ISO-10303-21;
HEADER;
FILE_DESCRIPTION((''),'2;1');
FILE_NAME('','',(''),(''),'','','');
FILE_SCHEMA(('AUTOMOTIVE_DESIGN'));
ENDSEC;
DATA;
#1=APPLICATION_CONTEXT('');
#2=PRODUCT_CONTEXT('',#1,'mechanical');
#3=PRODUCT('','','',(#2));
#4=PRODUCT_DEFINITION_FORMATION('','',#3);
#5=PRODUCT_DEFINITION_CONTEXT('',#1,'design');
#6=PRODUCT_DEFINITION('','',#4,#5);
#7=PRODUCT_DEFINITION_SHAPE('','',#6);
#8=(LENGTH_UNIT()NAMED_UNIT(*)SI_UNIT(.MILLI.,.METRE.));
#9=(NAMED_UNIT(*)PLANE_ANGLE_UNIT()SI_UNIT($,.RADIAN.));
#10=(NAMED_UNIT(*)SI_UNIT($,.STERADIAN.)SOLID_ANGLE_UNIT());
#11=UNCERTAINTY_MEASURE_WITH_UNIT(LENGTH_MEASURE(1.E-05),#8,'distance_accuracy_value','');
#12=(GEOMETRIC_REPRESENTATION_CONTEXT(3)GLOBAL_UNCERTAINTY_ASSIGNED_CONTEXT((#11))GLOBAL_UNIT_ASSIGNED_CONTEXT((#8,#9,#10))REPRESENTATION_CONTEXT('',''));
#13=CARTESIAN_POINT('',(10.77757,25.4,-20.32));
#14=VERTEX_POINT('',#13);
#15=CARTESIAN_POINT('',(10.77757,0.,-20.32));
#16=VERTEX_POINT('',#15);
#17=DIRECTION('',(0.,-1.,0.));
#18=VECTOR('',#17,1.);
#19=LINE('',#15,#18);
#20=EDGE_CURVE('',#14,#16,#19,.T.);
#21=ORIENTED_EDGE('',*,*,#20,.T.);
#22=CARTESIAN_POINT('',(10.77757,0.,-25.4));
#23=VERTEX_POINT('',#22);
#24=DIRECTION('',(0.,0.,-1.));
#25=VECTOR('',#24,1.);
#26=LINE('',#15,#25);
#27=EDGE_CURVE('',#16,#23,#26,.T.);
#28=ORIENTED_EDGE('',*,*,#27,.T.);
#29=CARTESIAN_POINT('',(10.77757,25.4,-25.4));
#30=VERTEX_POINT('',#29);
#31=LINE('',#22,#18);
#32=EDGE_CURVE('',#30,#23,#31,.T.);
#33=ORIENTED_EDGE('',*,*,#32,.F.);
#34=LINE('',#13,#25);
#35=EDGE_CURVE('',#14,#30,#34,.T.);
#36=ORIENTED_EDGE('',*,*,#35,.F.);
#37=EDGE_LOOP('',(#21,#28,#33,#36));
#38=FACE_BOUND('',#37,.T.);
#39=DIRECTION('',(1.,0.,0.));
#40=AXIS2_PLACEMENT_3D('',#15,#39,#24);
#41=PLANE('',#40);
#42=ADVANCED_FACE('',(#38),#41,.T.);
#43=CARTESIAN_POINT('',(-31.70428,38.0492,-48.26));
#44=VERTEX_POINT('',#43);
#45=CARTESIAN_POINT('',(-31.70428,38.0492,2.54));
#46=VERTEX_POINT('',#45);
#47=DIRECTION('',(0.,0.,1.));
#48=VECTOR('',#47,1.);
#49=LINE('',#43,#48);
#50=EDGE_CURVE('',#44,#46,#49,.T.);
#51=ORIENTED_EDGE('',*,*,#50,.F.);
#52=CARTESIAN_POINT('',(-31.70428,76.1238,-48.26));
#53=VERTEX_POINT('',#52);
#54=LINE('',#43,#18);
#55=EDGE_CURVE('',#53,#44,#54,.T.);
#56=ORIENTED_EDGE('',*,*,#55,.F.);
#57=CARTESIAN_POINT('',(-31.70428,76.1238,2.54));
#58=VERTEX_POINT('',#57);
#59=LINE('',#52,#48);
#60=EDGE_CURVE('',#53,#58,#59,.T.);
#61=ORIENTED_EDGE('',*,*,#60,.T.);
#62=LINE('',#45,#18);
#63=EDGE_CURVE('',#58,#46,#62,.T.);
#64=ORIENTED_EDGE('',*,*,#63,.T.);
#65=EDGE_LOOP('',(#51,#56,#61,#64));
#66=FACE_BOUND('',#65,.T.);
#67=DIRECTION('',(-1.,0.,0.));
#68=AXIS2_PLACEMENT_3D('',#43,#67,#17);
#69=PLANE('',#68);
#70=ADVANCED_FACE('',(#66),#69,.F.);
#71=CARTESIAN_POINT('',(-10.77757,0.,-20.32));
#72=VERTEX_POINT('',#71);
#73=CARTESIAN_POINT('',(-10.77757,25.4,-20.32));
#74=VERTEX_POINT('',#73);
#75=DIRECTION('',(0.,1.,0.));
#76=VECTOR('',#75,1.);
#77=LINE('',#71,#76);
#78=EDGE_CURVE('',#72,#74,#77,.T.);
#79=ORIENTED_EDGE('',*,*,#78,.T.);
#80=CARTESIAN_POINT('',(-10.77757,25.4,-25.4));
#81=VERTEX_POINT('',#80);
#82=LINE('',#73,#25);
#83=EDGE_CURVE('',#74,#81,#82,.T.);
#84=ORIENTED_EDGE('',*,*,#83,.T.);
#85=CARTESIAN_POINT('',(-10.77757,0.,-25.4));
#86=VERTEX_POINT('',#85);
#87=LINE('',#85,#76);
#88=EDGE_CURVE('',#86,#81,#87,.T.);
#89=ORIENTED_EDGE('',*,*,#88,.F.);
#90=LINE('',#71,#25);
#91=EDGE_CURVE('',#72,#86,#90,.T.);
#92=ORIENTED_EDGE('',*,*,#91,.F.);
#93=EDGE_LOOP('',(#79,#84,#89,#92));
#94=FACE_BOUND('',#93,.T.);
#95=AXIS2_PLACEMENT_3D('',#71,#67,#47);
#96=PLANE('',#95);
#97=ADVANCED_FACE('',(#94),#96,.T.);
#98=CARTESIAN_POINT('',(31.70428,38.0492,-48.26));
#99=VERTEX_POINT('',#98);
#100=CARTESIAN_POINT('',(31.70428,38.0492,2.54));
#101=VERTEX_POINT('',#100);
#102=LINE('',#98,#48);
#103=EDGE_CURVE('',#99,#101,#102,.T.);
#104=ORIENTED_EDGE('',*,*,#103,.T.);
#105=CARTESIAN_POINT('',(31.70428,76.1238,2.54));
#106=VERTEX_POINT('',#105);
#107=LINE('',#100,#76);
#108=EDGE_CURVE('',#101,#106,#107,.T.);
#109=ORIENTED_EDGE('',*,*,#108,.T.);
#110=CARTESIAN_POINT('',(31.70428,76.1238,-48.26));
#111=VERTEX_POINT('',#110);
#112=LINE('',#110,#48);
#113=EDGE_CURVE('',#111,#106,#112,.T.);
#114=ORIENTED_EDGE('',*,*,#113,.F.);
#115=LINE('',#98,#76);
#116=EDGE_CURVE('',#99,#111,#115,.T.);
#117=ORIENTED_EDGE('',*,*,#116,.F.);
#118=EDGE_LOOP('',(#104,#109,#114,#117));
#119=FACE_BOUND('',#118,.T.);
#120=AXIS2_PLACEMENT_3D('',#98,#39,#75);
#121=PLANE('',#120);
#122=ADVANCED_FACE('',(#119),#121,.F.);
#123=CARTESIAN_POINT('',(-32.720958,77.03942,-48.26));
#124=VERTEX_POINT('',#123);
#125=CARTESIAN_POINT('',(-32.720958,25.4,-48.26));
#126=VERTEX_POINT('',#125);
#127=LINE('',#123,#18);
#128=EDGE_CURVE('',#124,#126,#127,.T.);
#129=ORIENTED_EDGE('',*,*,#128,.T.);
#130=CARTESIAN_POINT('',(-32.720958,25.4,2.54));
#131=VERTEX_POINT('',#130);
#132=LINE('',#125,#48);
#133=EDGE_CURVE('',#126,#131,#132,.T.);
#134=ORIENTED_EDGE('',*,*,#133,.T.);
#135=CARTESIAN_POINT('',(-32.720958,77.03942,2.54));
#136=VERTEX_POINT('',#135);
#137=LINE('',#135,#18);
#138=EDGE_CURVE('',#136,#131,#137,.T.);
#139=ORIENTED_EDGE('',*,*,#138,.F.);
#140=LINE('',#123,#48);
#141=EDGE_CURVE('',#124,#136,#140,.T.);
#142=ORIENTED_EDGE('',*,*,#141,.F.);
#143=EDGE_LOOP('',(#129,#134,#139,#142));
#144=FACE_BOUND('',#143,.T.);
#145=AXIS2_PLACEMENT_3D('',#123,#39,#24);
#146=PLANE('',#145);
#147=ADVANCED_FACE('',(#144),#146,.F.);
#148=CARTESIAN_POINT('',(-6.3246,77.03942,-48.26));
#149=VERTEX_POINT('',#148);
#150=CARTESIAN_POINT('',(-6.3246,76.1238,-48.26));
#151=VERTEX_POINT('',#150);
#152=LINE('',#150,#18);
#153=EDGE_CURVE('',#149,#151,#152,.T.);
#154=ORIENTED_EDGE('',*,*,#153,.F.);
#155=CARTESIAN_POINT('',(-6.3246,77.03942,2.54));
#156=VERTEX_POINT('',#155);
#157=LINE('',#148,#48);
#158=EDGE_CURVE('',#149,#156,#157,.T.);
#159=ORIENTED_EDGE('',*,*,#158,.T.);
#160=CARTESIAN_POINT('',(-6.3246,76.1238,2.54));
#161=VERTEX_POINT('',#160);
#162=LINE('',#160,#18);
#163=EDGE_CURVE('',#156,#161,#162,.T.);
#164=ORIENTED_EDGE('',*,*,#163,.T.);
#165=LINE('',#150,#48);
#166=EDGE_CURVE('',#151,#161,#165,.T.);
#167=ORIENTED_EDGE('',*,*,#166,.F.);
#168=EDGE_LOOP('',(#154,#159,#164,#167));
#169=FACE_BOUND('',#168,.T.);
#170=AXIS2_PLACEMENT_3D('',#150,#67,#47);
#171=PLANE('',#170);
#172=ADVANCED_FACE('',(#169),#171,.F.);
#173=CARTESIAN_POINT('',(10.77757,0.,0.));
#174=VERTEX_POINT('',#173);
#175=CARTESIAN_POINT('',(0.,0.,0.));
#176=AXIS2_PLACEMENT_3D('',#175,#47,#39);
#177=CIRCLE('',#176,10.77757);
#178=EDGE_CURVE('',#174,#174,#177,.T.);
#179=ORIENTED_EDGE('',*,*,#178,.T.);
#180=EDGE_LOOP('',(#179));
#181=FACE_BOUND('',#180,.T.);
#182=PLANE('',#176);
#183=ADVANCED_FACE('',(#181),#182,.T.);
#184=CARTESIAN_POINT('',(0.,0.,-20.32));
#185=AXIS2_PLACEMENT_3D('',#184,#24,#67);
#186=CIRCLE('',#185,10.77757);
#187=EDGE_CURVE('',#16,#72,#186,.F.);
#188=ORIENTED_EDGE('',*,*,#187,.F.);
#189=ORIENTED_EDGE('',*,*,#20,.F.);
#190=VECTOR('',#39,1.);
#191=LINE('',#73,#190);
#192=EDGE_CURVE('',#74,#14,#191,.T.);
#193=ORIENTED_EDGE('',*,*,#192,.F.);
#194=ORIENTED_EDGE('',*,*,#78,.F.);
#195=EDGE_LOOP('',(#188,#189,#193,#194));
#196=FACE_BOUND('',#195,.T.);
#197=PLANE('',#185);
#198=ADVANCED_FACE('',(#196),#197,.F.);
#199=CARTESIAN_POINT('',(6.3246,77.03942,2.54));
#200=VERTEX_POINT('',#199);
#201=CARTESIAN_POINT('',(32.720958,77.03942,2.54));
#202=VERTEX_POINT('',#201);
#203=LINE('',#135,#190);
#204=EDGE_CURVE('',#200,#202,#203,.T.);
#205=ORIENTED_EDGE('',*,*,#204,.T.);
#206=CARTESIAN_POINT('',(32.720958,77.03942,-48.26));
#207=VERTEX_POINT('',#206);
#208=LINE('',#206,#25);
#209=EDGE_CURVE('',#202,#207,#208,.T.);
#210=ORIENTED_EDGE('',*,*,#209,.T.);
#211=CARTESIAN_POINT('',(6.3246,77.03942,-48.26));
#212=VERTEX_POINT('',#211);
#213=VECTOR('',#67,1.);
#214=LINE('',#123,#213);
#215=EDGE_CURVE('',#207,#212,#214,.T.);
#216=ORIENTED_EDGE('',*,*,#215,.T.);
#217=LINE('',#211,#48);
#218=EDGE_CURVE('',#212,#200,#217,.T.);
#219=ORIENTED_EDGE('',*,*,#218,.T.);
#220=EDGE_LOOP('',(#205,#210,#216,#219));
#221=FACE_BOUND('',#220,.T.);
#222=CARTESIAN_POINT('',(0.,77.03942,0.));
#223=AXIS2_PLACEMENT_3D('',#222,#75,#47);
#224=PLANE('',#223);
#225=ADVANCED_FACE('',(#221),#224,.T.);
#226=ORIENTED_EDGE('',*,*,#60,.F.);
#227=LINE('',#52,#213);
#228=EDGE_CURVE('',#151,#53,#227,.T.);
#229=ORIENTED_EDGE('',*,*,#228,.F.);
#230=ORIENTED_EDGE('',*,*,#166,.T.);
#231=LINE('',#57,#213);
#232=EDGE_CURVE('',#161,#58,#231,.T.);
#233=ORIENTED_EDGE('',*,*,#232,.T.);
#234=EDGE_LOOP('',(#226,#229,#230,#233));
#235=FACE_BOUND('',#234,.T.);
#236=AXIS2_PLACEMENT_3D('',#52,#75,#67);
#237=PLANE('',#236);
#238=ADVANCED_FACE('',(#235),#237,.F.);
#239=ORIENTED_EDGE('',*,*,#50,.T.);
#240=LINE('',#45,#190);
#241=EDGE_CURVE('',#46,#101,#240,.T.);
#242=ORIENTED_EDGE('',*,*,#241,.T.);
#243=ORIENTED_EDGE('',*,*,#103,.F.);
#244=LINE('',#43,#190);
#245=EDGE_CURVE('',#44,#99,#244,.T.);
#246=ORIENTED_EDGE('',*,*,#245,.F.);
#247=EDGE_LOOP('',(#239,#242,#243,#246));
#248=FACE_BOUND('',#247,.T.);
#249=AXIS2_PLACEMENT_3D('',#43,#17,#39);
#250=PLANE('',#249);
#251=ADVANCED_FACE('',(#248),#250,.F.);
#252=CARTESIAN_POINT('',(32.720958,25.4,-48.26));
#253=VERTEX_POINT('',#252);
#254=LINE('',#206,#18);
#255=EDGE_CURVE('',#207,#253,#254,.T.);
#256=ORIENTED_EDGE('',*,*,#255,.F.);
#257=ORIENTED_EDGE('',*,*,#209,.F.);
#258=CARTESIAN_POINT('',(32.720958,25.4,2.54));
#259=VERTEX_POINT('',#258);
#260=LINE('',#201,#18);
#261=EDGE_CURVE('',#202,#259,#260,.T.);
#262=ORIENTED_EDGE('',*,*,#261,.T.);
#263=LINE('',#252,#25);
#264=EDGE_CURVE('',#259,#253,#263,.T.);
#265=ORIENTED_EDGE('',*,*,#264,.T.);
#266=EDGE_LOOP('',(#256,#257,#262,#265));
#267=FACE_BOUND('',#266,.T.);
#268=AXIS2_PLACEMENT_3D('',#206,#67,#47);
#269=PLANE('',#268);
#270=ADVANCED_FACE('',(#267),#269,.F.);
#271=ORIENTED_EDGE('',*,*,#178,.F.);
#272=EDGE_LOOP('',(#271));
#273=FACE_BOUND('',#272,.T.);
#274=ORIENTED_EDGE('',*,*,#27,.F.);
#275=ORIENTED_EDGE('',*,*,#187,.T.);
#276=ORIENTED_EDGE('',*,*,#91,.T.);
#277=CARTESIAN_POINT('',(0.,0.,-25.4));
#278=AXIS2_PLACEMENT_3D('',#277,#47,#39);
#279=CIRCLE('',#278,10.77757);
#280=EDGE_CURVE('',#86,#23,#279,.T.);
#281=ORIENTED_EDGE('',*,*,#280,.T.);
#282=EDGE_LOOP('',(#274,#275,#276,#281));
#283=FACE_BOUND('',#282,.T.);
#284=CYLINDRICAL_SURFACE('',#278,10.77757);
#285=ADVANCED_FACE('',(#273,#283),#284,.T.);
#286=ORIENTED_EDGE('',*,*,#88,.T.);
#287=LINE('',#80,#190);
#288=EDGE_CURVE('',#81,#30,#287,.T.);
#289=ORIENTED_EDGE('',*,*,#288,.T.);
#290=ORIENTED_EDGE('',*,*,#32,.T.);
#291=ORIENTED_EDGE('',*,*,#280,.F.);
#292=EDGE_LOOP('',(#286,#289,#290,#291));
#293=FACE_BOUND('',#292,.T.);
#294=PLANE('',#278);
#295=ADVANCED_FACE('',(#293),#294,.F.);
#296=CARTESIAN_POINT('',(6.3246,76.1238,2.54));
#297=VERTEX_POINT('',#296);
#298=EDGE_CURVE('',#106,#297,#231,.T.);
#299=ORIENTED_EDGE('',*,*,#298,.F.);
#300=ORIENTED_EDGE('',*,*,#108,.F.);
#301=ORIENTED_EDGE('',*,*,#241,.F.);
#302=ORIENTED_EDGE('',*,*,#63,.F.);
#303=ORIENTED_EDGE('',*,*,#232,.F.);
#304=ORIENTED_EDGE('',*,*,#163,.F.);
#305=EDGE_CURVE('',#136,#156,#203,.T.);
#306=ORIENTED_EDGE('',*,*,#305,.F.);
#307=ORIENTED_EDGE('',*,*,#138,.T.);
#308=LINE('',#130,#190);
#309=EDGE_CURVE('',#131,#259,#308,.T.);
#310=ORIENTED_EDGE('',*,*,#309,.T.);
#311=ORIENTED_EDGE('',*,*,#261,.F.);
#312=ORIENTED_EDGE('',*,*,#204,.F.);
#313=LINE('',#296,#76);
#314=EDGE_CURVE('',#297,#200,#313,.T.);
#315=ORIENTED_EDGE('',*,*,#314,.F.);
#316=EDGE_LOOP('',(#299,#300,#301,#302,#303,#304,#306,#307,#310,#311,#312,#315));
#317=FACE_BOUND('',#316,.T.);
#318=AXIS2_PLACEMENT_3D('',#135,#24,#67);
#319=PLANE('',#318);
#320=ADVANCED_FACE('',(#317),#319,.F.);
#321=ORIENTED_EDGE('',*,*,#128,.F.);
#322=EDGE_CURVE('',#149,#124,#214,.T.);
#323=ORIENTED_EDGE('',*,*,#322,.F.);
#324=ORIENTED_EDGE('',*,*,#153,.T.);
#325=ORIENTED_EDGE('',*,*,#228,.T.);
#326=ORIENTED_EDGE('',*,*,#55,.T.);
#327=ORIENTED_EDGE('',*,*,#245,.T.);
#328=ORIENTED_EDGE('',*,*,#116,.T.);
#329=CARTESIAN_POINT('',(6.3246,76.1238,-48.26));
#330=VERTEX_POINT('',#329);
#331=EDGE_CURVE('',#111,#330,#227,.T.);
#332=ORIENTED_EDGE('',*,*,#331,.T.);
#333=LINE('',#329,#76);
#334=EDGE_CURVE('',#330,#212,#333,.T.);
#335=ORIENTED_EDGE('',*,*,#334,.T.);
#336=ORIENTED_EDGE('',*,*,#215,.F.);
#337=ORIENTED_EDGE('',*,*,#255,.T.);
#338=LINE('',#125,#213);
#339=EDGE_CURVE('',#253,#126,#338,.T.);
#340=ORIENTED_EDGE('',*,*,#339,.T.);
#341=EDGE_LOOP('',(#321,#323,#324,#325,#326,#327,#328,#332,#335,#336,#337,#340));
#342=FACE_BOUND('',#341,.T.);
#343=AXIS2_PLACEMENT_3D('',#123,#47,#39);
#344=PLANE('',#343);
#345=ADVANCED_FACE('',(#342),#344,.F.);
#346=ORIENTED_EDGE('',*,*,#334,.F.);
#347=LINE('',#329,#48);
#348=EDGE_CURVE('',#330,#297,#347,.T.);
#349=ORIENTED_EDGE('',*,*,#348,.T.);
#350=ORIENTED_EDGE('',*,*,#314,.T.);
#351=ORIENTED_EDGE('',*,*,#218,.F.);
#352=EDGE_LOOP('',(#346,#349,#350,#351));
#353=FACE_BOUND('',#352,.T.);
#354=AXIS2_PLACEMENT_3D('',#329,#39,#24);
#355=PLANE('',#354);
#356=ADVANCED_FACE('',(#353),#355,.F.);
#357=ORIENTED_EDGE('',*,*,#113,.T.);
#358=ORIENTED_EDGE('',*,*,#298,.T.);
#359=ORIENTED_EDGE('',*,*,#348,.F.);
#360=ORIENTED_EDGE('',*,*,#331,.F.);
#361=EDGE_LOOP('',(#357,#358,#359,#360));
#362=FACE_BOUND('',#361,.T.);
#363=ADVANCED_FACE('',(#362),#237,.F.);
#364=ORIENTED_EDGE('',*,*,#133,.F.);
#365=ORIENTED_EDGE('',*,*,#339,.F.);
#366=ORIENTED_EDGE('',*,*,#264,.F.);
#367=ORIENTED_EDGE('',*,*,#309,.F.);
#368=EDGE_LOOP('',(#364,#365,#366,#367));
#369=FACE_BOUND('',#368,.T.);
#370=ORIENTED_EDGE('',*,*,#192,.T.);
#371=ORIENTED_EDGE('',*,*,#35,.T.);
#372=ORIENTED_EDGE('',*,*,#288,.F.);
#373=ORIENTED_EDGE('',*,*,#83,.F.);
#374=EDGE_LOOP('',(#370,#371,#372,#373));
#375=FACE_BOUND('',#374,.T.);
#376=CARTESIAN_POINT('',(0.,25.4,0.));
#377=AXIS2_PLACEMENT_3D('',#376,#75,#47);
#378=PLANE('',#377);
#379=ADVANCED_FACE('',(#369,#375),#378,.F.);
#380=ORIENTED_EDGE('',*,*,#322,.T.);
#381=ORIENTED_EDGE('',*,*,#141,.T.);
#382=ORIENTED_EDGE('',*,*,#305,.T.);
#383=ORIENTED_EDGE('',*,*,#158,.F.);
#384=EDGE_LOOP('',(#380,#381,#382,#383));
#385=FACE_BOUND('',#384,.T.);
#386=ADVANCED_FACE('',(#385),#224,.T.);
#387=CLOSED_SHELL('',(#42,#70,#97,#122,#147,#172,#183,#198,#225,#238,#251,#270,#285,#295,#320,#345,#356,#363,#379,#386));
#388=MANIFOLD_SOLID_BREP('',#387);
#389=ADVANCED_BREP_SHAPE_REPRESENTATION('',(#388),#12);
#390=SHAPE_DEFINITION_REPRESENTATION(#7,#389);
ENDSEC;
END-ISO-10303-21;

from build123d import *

# Parameters (mm, degrees)
SKETCH1_R           = 10.777569686
BOSS_EXTRUDE1_DEPTH = 25.4
SKETCH2_W           = 21.555139372
SKETCH2_H           = 25.4
BOSS_EXTRUDE2_DEPTH = 5.08
SKETCH6_W           = 65.44191557
SKETCH6_H           = 50.8
BOSS_EXTRUDE3_DEPTH = 51.639420176
SKETCH7_W           = 63.40856
SKETCH7_H           = 38.0746
CUT_EXTRUDE1_DEPTH  = 98.910026756
SKETCH8_W           = 12.6492
SKETCH8_H           = 0.915620176
CUT_EXTRUDE2_DEPTH  = 98.910026756


with BuildPart() as part:
    # Sketch1 → Boss-Extrude1 (new body)
    with BuildSketch(Plane.XY):
        Circle(SKETCH1_R)
    extrude(amount=-BOSS_EXTRUDE1_DEPTH)

    # Sketch2 → Boss-Extrude2 (add)
    with BuildSketch(Plane(origin=(0, 0, -25.4), x_dir=(-1, 0, 0), z_dir=(0, 0, -1))):
        with Locations((0, 12.7)):
            Rectangle(SKETCH2_W, SKETCH2_H)
    extrude(amount=-BOSS_EXTRUDE2_DEPTH)

    # Sketch6 → Boss-Extrude3 (add)
    with BuildSketch(Plane(origin=(0, 25.4, 0), x_dir=(1, 0, 0), z_dir=(0, 1, 0))):
        with Locations((0, 22.86)):
            Rectangle(SKETCH6_W, SKETCH6_H)
    extrude(amount=BOSS_EXTRUDE3_DEPTH)

    # Sketch7 → Cut-Extrude1 (cut, through all)
    with BuildSketch(Plane.XY.offset(2.54)):
        with Locations((0, 57.0865)):
            Rectangle(SKETCH7_W, SKETCH7_H)
    extrude(amount=-CUT_EXTRUDE1_DEPTH, mode=Mode.SUBTRACT)

    # Sketch8 → Cut-Extrude2 (cut, through all)
    with BuildSketch(Plane.XY.offset(2.54)):
        with Locations((0, 76.581610088)):
            Rectangle(SKETCH8_W, SKETCH8_H)
    extrude(amount=-CUT_EXTRUDE2_DEPTH, mode=Mode.SUBTRACT)


solid = part.part
